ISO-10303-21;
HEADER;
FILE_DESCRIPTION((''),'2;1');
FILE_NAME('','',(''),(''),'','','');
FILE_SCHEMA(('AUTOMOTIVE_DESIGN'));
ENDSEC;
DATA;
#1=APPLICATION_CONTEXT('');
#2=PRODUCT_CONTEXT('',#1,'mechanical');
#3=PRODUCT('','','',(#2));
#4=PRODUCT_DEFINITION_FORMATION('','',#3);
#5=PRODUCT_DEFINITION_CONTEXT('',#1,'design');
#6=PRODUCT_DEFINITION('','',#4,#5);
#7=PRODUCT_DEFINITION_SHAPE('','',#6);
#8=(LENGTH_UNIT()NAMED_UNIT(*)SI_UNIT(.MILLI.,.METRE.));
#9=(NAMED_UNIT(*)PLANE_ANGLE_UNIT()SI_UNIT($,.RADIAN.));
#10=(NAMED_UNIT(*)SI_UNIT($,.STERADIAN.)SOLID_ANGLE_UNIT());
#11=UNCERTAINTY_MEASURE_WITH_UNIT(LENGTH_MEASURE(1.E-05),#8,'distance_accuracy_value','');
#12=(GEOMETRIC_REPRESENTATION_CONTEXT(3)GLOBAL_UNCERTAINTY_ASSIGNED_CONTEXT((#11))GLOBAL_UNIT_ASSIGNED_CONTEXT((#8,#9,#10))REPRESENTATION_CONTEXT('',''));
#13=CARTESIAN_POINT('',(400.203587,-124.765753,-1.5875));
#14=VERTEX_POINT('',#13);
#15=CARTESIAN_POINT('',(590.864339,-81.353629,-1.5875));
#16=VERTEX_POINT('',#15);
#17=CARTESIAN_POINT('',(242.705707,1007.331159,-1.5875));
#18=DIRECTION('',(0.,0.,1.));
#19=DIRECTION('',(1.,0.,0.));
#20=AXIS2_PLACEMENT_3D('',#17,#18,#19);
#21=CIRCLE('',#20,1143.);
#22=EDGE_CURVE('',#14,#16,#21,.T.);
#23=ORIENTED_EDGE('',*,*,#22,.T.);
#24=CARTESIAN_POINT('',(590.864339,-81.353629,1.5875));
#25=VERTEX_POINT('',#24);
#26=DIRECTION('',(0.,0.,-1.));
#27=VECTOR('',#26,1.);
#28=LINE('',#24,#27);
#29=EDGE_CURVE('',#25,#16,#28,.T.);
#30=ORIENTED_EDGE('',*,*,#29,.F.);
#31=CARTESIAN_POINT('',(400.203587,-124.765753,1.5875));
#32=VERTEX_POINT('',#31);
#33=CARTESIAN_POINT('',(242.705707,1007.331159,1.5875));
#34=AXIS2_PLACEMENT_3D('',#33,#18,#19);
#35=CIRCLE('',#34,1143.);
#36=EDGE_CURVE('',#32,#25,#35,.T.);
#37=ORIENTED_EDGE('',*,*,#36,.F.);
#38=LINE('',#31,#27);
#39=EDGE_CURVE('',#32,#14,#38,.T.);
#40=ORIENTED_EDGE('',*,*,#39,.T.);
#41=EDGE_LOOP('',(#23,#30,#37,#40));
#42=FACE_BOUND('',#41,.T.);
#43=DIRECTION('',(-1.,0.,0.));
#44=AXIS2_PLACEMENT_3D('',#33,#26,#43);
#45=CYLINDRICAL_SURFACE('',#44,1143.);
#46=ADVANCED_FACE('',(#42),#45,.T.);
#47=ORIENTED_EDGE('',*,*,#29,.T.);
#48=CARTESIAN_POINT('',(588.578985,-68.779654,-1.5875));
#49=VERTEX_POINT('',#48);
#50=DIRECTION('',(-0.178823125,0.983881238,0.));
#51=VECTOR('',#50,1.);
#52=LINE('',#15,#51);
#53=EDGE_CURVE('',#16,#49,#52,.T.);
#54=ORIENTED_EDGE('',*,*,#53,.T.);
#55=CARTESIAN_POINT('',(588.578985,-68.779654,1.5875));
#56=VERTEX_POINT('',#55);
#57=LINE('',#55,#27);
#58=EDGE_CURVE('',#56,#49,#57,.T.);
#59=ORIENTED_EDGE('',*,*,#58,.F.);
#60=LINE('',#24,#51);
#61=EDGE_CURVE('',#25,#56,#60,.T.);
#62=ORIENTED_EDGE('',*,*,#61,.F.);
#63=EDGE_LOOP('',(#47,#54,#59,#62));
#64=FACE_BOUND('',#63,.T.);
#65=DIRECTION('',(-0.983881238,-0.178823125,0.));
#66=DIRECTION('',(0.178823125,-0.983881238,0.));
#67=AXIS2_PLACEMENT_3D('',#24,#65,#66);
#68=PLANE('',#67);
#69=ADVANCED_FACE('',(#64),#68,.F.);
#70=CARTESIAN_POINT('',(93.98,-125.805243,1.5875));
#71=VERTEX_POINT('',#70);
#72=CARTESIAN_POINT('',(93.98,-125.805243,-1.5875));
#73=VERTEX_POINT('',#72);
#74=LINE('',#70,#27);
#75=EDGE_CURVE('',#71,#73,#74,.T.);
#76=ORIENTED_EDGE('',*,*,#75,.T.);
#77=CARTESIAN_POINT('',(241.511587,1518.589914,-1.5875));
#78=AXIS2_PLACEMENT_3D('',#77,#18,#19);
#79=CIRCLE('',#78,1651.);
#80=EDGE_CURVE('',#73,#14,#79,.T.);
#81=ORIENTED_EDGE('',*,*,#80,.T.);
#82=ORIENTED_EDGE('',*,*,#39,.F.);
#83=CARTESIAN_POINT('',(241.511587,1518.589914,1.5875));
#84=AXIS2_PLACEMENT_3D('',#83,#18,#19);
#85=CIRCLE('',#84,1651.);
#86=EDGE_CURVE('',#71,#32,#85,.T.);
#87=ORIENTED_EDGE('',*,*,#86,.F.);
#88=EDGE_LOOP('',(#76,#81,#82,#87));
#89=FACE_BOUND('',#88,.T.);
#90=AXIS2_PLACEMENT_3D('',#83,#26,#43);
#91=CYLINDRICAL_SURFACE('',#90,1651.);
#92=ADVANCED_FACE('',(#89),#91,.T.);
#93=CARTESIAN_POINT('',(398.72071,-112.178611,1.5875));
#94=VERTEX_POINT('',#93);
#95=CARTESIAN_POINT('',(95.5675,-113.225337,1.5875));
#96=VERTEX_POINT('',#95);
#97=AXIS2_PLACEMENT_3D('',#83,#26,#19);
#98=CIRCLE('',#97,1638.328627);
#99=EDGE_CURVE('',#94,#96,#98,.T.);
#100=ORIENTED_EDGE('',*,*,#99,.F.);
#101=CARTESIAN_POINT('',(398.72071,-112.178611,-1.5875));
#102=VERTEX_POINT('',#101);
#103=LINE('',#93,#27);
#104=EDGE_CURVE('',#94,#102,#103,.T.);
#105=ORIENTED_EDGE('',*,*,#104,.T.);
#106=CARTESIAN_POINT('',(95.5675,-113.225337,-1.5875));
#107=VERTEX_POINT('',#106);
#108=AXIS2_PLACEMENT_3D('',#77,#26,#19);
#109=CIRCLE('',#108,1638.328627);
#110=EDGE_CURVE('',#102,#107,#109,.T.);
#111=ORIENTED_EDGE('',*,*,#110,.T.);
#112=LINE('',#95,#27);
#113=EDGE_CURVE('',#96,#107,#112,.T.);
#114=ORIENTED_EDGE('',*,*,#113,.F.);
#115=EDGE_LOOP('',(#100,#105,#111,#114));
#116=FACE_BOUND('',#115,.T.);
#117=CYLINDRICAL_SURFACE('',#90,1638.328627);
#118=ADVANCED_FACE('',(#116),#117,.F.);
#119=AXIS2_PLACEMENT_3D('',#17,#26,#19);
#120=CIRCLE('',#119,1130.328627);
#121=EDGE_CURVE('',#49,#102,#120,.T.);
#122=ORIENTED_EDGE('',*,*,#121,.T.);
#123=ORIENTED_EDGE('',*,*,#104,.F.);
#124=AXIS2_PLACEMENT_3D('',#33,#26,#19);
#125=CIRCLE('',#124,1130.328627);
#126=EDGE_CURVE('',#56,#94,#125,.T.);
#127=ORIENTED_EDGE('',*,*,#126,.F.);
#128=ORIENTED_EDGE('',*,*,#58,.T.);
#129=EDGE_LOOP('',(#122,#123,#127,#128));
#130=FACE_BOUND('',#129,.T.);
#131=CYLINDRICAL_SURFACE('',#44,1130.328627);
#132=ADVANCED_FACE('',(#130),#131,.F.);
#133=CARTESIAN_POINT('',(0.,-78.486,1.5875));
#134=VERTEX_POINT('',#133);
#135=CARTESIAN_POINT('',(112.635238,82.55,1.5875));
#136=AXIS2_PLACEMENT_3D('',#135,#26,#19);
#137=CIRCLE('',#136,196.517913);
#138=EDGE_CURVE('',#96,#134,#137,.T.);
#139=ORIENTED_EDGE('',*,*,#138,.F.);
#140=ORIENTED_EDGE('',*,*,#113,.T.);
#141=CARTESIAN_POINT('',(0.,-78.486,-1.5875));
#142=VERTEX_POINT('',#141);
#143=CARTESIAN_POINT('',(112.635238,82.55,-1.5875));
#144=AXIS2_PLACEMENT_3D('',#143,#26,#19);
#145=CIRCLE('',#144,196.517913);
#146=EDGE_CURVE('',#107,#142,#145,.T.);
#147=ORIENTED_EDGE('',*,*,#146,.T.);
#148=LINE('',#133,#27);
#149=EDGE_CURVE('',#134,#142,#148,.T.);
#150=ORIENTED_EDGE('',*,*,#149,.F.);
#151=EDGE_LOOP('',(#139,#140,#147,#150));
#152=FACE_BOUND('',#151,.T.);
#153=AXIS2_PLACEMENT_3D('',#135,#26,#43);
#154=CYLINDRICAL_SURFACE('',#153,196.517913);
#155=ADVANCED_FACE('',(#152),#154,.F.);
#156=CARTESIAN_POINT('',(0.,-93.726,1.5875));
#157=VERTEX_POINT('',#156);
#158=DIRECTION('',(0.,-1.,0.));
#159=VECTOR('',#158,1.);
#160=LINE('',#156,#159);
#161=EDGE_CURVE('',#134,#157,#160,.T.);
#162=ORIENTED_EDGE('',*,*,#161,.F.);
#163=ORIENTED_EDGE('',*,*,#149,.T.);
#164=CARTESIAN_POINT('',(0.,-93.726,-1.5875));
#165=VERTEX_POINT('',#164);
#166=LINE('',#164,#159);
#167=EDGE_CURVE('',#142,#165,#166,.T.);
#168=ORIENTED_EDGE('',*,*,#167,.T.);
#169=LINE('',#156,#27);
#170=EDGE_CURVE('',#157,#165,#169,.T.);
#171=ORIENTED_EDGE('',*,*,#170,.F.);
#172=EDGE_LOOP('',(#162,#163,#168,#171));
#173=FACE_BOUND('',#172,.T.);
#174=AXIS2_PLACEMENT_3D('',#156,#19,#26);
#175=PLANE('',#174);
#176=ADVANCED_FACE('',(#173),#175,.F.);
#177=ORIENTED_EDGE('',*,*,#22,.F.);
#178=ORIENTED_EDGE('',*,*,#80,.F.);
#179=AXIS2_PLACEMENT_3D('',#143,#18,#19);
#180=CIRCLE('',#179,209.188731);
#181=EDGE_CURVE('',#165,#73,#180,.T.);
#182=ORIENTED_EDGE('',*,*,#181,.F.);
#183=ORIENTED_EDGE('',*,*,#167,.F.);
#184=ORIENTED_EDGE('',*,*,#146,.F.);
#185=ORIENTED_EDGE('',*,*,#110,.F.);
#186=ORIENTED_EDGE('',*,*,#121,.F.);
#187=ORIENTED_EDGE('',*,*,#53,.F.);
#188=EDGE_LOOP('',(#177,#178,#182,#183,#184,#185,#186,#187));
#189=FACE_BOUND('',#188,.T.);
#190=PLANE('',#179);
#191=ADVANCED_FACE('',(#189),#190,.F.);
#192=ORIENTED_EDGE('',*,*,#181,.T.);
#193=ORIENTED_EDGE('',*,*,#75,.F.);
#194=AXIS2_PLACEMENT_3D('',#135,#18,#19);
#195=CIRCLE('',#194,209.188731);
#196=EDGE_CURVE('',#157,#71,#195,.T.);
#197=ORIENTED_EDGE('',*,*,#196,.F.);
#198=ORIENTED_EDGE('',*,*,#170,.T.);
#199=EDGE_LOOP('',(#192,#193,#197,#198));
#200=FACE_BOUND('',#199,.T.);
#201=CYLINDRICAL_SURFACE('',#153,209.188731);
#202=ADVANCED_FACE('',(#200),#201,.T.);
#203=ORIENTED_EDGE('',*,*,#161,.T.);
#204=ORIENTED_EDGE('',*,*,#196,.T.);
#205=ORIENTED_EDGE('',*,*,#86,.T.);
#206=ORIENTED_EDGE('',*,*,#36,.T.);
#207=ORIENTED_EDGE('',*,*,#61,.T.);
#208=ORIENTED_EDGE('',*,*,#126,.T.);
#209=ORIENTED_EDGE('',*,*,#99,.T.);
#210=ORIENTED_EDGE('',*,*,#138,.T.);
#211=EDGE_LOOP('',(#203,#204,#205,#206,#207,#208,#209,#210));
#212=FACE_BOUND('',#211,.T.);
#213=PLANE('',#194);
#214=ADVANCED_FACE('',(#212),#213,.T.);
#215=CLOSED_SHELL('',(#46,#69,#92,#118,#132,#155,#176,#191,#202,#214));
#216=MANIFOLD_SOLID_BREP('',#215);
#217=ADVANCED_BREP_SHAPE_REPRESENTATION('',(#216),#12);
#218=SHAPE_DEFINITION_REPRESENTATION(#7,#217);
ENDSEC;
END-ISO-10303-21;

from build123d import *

# Parameters (mm, degrees)
BOSS_EXTRUDE1_DEPTH = 1.5875


with BuildPart() as part:
    # Sketch2 → Boss-Extrude1 (new, symmetric)
    with BuildSketch(Plane.XY):
        with BuildLine():
            Line((0, -93.726), (0, -78.486))
            ThreePointArc((0, -78.486), (45.497909529, -102.143988159), (95.5675, -113.225336692))
            ThreePointArc((95.5675, -113.225336692), (247.168367606, -119.728946816), (398.720709803, -112.17861051))
            ThreePointArc((398.720709803, -112.17861051), (494.586291489, -94.575813643), (588.578984507, -68.779653684))
            Line((588.578984507, -68.779653684), (590.864339182, -81.353629169))
            ThreePointArc((590.864339182, -81.353629169), (496.464017617, -107.14437724), (400.203586993, -124.765753286))
            ThreePointArc((400.203586993, -124.765753286), (247.115945932, -132.400573942), (93.98, -125.805242584))
            ThreePointArc((93.98, -125.805242584), (45.058861039, -115.423125179), (0, -93.726))
        make_face()
    extrude(amount=BOSS_EXTRUDE1_DEPTH, both=True)


solid = part.part
